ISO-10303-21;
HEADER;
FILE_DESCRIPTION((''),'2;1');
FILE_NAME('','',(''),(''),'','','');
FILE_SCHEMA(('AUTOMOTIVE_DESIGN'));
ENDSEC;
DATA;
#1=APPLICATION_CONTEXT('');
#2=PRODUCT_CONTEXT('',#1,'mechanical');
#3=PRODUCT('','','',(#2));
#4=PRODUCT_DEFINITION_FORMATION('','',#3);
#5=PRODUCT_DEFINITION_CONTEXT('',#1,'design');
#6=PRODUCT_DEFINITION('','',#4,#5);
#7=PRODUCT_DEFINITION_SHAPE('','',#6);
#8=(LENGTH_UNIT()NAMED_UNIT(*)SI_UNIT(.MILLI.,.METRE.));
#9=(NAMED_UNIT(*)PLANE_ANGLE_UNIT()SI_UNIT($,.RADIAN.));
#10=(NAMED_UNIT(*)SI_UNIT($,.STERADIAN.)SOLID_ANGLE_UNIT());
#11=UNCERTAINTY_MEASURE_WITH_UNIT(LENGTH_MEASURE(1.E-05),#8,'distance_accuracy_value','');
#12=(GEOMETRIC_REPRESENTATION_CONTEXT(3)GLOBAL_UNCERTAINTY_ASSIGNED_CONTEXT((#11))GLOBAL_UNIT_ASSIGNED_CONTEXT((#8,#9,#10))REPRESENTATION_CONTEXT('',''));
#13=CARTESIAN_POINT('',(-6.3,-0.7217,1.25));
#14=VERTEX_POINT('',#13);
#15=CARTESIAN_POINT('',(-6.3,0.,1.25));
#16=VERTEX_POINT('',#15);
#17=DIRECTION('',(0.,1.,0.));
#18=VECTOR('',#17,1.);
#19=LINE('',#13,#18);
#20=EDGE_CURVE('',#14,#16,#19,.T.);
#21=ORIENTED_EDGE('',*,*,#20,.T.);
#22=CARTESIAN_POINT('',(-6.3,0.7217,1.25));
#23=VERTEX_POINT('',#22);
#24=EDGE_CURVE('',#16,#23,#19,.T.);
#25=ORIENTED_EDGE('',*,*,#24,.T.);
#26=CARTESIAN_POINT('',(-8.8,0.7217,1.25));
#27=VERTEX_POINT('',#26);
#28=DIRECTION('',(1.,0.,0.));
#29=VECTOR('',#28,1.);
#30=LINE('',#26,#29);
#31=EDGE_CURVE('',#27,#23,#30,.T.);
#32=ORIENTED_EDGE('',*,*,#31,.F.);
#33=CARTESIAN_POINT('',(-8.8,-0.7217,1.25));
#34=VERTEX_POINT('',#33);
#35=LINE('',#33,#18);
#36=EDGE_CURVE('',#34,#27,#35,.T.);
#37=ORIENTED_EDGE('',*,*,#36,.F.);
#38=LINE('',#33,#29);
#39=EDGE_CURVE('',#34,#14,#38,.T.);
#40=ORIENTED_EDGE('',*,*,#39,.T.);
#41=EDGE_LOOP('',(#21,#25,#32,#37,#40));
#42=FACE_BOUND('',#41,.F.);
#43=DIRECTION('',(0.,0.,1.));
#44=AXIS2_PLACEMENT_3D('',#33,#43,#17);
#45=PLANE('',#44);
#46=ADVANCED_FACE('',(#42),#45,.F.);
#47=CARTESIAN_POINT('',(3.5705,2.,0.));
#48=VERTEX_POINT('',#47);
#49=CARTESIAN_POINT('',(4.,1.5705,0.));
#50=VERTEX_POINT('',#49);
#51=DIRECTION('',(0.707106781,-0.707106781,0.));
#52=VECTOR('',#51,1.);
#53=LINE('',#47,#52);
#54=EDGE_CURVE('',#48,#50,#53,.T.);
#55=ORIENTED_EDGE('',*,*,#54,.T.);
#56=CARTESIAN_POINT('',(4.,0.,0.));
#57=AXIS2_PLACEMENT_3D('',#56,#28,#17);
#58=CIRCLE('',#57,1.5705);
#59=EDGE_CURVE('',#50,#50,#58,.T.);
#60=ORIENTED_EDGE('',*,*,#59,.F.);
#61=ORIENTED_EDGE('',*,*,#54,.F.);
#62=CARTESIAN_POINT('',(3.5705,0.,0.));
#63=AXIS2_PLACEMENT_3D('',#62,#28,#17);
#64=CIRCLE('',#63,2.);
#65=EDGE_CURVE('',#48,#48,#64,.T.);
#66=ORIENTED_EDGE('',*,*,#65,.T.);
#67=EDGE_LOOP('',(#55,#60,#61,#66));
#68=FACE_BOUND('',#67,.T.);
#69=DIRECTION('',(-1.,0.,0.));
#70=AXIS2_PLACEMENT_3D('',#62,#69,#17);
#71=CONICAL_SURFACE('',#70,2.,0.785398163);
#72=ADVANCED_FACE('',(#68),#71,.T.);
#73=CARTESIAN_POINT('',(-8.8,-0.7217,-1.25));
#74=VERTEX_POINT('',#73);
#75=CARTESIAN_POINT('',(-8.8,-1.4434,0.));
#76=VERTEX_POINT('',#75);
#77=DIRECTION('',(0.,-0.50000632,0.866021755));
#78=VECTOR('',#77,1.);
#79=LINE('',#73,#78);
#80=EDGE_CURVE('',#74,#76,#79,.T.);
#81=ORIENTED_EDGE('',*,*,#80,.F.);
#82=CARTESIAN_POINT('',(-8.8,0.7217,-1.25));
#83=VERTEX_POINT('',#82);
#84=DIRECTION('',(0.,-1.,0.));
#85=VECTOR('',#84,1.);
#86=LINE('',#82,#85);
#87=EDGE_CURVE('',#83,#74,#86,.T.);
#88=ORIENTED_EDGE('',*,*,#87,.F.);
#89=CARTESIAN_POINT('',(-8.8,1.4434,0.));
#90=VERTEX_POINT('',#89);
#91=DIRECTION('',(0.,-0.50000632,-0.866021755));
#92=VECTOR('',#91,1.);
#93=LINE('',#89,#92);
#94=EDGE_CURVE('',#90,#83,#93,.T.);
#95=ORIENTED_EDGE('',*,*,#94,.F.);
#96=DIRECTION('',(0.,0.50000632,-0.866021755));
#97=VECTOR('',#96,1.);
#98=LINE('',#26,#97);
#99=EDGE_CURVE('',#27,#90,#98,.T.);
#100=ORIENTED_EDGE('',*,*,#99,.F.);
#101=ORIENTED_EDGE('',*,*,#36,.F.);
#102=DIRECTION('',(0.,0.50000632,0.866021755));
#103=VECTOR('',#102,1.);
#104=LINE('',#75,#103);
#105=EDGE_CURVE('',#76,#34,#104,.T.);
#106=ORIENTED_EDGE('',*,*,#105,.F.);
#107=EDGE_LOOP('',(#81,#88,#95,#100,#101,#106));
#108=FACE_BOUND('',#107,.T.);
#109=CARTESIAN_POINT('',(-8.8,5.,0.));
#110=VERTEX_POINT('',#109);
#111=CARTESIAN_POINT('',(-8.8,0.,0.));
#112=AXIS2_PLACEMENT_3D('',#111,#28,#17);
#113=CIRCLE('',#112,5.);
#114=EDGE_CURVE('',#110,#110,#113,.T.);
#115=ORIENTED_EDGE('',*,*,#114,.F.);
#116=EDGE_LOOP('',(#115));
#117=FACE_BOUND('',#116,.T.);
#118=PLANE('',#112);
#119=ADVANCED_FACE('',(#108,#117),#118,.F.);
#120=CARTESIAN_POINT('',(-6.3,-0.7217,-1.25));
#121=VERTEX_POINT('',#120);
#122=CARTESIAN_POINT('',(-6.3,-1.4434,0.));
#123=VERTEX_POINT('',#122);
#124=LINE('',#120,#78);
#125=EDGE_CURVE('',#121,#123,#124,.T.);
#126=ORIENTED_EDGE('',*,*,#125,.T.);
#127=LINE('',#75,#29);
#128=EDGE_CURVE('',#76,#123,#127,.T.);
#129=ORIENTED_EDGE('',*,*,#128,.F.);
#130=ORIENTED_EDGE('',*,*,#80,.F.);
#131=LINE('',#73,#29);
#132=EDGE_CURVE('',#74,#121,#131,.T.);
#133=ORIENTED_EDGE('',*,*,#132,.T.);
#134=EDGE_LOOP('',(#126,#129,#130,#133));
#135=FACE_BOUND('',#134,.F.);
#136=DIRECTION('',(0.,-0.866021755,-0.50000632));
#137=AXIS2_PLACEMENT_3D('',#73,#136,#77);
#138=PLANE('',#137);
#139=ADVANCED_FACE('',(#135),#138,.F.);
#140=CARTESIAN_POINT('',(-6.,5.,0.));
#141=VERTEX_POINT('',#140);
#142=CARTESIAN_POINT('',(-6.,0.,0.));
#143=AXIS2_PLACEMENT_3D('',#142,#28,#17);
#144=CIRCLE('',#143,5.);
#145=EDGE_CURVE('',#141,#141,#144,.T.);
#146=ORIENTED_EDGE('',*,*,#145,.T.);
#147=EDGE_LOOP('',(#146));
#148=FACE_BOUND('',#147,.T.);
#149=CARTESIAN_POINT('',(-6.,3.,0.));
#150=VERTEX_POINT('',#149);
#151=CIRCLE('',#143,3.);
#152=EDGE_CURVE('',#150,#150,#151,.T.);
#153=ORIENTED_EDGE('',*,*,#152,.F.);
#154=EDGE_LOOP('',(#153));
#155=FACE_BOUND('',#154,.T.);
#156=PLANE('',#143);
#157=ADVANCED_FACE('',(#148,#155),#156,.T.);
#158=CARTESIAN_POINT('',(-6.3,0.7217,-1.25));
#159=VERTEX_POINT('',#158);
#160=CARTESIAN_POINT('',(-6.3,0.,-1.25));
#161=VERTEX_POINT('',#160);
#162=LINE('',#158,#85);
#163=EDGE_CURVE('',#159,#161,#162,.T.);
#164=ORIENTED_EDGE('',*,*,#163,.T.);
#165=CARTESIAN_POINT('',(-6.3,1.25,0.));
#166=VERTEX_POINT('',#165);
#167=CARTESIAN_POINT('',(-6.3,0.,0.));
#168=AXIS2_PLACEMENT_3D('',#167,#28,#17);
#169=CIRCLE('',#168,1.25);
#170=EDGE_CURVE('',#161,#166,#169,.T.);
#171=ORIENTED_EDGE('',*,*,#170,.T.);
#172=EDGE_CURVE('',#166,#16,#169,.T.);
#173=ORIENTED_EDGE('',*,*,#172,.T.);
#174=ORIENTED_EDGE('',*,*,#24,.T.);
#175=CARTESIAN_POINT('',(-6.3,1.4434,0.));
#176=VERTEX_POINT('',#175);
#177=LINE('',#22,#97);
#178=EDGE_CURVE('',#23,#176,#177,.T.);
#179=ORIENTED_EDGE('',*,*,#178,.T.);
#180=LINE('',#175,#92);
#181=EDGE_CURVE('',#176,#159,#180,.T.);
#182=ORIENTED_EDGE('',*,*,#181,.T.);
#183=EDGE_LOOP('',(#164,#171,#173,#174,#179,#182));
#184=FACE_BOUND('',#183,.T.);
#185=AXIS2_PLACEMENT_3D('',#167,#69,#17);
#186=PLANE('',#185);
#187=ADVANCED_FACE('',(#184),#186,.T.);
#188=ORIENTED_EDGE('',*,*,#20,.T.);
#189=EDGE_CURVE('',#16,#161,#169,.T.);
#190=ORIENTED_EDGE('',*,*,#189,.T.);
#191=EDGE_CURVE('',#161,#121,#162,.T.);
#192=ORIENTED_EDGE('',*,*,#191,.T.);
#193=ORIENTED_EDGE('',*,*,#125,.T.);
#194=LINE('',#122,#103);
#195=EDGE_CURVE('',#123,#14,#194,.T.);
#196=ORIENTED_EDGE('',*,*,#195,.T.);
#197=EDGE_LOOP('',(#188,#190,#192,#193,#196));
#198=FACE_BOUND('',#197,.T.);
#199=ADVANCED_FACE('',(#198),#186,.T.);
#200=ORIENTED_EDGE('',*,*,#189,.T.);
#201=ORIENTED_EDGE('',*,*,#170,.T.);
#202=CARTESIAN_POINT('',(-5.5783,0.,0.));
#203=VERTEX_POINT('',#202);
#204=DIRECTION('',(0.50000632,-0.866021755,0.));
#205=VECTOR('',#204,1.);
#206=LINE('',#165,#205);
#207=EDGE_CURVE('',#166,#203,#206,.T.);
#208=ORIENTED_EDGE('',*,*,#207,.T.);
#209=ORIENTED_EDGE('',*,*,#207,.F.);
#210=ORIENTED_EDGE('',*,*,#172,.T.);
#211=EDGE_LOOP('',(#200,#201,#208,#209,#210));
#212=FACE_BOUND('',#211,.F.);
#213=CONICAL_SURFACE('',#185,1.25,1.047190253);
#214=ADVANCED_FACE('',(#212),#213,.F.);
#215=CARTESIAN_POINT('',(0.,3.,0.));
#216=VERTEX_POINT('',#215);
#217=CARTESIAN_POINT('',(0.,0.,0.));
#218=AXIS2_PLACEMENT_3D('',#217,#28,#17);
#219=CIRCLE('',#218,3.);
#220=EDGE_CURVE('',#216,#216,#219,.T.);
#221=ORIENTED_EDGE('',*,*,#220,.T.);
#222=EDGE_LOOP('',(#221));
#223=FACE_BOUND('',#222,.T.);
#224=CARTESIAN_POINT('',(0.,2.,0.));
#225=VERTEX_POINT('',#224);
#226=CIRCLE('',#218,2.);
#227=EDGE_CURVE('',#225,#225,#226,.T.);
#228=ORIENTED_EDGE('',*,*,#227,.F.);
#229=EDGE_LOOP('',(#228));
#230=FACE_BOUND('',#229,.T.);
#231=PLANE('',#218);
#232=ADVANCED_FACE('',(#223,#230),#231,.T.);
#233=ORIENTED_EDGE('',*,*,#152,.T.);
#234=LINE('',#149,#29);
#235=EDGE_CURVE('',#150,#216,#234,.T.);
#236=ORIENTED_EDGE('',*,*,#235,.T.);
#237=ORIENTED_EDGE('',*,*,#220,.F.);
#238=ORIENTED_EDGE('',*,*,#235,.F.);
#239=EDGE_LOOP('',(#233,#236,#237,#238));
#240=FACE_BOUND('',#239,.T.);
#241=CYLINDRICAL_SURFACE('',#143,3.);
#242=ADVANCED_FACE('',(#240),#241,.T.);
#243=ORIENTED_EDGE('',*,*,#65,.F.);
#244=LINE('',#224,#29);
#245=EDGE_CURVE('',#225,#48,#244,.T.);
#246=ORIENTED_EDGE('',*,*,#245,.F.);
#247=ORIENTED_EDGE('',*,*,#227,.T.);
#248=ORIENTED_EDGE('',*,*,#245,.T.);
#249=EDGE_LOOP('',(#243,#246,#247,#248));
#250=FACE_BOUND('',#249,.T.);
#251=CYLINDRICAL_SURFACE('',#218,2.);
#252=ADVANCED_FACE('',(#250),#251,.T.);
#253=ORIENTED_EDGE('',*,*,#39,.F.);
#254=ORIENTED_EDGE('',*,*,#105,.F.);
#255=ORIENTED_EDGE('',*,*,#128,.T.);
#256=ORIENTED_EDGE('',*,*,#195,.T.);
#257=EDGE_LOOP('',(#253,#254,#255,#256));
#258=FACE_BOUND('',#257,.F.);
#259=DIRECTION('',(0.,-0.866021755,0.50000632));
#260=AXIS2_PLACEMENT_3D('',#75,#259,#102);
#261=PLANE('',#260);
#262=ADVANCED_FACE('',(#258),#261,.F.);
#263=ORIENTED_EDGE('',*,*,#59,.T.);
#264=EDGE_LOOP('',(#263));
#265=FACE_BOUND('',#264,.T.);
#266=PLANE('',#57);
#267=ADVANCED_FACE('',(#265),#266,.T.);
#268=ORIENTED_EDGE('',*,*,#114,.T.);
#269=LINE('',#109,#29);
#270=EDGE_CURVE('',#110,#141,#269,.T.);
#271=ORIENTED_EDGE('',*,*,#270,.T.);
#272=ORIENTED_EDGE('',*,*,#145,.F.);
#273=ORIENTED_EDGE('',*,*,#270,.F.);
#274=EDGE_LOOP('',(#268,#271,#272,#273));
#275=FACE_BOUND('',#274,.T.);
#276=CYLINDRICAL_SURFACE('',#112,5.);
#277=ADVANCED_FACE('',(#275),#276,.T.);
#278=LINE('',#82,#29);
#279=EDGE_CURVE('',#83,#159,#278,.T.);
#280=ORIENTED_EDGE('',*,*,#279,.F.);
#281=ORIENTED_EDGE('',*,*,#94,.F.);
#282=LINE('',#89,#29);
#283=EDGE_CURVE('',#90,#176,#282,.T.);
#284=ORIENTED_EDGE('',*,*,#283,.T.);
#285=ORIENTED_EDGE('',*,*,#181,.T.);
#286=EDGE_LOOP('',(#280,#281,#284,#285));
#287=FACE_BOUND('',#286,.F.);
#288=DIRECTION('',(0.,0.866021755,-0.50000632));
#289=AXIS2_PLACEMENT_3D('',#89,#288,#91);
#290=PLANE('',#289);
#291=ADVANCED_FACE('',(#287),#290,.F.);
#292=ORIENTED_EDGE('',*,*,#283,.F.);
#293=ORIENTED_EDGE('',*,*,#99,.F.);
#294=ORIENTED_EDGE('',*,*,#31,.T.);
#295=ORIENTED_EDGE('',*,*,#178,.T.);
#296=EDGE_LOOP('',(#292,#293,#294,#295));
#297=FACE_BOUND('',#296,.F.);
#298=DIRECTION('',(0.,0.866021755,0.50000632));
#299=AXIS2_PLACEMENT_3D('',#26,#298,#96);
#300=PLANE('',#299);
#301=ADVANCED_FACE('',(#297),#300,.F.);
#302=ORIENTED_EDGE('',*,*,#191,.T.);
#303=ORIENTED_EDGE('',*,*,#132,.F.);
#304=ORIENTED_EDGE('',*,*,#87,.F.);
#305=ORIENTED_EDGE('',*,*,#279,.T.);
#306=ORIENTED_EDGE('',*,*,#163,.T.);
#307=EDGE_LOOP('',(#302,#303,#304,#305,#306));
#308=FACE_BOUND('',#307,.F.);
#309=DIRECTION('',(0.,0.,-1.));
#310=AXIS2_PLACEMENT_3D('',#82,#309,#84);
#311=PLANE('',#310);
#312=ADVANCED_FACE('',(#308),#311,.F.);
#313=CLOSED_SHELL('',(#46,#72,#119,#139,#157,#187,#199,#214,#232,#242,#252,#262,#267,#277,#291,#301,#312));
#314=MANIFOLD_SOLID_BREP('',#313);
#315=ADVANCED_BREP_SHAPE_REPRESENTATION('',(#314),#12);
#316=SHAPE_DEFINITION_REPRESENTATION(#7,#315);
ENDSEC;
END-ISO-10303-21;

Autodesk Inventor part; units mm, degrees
ref_plane "YZ Plane" through (0, 0, 0) normal (1, 0, 0) x (0, 1, 0)
ref_plane "XZ Plane" through (0, 0, 0) normal (0, 1, 0) x (-1, 0, 0)
ref_plane "XY Plane" through (0, 0, 0) normal (0, 0, 1) x (1, 0, 0)
sketch "Sketch_1" plane through (0, 0, 0) normal (0, 0, 1) x (1, 0, 0)
  line L0 (4, 0) -> (-8.8, 0)
  line L1 (-8.8, 0) -> (-8.8, 5)
  line L2 (-8.8, 5) -> (-6, 5)
  line L3 (-6, 5) -> (-6, 3)
  line L4 (-6, 3) -> (0, 3)
  line L5 (0, 3) -> (0, 2)
  line L6 (0, 2) -> (3.5705, 2)
  line L7 (3.5705, 2) -> (4, 1.5705)
  line L8 (4, 1.5705) -> (4, 0)
  line L9 (4, 0) -> (-8.8, 0)
revolve "Revolution1" add sketch "Sketch_1" angle 360 about axis through (4, 0, 0) along (1, 0, 0)
thread "Thread1" size "M4x0.7" class "6g" standard "ISO Metric profile" length 2.3705
sketch "Sketch_2" plane through (-8.8, 0, 0) normal (-1, 0, 0) x (0, 1, 0)
  line L0 (-1.4434, 0) -> (-0.7217, -1.25)
  line L1 (-0.7217, -1.25) -> (0.7217, -1.25)
  line L2 (0.7217, -1.25) -> (1.4434, 0)
  line L3 (1.4434, 0) -> (0.7217, 1.25)
  line L4 (0.7217, 1.25) -> (-0.7217, 1.25)
  line L5 (-0.7217, 1.25) -> (-1.4434, 0)
extrude "Extrusion1" cut sketch "Sketch_2" against normal blind 2.5
sketch "Sketch_3" plane through (0, 0, 0) normal (0, 0, 1) x (1, 0, 0)
  line L0 (-5.5783, 0) -> (-6.3, 0)
  line L1 (-6.3, 0) -> (-6.3, 1.25)
  line L2 (-6.3, 1.25) -> (-5.5783, 0)
  line L3 (-5.5783, 0) -> (-6.3, 0)
revolve "Revolution2" cut sketch "Sketch_3" angle 360 about axis through (-5.5783, 0, 0) along (1, 0, 0)
properties part number "DBS4-6-4"
